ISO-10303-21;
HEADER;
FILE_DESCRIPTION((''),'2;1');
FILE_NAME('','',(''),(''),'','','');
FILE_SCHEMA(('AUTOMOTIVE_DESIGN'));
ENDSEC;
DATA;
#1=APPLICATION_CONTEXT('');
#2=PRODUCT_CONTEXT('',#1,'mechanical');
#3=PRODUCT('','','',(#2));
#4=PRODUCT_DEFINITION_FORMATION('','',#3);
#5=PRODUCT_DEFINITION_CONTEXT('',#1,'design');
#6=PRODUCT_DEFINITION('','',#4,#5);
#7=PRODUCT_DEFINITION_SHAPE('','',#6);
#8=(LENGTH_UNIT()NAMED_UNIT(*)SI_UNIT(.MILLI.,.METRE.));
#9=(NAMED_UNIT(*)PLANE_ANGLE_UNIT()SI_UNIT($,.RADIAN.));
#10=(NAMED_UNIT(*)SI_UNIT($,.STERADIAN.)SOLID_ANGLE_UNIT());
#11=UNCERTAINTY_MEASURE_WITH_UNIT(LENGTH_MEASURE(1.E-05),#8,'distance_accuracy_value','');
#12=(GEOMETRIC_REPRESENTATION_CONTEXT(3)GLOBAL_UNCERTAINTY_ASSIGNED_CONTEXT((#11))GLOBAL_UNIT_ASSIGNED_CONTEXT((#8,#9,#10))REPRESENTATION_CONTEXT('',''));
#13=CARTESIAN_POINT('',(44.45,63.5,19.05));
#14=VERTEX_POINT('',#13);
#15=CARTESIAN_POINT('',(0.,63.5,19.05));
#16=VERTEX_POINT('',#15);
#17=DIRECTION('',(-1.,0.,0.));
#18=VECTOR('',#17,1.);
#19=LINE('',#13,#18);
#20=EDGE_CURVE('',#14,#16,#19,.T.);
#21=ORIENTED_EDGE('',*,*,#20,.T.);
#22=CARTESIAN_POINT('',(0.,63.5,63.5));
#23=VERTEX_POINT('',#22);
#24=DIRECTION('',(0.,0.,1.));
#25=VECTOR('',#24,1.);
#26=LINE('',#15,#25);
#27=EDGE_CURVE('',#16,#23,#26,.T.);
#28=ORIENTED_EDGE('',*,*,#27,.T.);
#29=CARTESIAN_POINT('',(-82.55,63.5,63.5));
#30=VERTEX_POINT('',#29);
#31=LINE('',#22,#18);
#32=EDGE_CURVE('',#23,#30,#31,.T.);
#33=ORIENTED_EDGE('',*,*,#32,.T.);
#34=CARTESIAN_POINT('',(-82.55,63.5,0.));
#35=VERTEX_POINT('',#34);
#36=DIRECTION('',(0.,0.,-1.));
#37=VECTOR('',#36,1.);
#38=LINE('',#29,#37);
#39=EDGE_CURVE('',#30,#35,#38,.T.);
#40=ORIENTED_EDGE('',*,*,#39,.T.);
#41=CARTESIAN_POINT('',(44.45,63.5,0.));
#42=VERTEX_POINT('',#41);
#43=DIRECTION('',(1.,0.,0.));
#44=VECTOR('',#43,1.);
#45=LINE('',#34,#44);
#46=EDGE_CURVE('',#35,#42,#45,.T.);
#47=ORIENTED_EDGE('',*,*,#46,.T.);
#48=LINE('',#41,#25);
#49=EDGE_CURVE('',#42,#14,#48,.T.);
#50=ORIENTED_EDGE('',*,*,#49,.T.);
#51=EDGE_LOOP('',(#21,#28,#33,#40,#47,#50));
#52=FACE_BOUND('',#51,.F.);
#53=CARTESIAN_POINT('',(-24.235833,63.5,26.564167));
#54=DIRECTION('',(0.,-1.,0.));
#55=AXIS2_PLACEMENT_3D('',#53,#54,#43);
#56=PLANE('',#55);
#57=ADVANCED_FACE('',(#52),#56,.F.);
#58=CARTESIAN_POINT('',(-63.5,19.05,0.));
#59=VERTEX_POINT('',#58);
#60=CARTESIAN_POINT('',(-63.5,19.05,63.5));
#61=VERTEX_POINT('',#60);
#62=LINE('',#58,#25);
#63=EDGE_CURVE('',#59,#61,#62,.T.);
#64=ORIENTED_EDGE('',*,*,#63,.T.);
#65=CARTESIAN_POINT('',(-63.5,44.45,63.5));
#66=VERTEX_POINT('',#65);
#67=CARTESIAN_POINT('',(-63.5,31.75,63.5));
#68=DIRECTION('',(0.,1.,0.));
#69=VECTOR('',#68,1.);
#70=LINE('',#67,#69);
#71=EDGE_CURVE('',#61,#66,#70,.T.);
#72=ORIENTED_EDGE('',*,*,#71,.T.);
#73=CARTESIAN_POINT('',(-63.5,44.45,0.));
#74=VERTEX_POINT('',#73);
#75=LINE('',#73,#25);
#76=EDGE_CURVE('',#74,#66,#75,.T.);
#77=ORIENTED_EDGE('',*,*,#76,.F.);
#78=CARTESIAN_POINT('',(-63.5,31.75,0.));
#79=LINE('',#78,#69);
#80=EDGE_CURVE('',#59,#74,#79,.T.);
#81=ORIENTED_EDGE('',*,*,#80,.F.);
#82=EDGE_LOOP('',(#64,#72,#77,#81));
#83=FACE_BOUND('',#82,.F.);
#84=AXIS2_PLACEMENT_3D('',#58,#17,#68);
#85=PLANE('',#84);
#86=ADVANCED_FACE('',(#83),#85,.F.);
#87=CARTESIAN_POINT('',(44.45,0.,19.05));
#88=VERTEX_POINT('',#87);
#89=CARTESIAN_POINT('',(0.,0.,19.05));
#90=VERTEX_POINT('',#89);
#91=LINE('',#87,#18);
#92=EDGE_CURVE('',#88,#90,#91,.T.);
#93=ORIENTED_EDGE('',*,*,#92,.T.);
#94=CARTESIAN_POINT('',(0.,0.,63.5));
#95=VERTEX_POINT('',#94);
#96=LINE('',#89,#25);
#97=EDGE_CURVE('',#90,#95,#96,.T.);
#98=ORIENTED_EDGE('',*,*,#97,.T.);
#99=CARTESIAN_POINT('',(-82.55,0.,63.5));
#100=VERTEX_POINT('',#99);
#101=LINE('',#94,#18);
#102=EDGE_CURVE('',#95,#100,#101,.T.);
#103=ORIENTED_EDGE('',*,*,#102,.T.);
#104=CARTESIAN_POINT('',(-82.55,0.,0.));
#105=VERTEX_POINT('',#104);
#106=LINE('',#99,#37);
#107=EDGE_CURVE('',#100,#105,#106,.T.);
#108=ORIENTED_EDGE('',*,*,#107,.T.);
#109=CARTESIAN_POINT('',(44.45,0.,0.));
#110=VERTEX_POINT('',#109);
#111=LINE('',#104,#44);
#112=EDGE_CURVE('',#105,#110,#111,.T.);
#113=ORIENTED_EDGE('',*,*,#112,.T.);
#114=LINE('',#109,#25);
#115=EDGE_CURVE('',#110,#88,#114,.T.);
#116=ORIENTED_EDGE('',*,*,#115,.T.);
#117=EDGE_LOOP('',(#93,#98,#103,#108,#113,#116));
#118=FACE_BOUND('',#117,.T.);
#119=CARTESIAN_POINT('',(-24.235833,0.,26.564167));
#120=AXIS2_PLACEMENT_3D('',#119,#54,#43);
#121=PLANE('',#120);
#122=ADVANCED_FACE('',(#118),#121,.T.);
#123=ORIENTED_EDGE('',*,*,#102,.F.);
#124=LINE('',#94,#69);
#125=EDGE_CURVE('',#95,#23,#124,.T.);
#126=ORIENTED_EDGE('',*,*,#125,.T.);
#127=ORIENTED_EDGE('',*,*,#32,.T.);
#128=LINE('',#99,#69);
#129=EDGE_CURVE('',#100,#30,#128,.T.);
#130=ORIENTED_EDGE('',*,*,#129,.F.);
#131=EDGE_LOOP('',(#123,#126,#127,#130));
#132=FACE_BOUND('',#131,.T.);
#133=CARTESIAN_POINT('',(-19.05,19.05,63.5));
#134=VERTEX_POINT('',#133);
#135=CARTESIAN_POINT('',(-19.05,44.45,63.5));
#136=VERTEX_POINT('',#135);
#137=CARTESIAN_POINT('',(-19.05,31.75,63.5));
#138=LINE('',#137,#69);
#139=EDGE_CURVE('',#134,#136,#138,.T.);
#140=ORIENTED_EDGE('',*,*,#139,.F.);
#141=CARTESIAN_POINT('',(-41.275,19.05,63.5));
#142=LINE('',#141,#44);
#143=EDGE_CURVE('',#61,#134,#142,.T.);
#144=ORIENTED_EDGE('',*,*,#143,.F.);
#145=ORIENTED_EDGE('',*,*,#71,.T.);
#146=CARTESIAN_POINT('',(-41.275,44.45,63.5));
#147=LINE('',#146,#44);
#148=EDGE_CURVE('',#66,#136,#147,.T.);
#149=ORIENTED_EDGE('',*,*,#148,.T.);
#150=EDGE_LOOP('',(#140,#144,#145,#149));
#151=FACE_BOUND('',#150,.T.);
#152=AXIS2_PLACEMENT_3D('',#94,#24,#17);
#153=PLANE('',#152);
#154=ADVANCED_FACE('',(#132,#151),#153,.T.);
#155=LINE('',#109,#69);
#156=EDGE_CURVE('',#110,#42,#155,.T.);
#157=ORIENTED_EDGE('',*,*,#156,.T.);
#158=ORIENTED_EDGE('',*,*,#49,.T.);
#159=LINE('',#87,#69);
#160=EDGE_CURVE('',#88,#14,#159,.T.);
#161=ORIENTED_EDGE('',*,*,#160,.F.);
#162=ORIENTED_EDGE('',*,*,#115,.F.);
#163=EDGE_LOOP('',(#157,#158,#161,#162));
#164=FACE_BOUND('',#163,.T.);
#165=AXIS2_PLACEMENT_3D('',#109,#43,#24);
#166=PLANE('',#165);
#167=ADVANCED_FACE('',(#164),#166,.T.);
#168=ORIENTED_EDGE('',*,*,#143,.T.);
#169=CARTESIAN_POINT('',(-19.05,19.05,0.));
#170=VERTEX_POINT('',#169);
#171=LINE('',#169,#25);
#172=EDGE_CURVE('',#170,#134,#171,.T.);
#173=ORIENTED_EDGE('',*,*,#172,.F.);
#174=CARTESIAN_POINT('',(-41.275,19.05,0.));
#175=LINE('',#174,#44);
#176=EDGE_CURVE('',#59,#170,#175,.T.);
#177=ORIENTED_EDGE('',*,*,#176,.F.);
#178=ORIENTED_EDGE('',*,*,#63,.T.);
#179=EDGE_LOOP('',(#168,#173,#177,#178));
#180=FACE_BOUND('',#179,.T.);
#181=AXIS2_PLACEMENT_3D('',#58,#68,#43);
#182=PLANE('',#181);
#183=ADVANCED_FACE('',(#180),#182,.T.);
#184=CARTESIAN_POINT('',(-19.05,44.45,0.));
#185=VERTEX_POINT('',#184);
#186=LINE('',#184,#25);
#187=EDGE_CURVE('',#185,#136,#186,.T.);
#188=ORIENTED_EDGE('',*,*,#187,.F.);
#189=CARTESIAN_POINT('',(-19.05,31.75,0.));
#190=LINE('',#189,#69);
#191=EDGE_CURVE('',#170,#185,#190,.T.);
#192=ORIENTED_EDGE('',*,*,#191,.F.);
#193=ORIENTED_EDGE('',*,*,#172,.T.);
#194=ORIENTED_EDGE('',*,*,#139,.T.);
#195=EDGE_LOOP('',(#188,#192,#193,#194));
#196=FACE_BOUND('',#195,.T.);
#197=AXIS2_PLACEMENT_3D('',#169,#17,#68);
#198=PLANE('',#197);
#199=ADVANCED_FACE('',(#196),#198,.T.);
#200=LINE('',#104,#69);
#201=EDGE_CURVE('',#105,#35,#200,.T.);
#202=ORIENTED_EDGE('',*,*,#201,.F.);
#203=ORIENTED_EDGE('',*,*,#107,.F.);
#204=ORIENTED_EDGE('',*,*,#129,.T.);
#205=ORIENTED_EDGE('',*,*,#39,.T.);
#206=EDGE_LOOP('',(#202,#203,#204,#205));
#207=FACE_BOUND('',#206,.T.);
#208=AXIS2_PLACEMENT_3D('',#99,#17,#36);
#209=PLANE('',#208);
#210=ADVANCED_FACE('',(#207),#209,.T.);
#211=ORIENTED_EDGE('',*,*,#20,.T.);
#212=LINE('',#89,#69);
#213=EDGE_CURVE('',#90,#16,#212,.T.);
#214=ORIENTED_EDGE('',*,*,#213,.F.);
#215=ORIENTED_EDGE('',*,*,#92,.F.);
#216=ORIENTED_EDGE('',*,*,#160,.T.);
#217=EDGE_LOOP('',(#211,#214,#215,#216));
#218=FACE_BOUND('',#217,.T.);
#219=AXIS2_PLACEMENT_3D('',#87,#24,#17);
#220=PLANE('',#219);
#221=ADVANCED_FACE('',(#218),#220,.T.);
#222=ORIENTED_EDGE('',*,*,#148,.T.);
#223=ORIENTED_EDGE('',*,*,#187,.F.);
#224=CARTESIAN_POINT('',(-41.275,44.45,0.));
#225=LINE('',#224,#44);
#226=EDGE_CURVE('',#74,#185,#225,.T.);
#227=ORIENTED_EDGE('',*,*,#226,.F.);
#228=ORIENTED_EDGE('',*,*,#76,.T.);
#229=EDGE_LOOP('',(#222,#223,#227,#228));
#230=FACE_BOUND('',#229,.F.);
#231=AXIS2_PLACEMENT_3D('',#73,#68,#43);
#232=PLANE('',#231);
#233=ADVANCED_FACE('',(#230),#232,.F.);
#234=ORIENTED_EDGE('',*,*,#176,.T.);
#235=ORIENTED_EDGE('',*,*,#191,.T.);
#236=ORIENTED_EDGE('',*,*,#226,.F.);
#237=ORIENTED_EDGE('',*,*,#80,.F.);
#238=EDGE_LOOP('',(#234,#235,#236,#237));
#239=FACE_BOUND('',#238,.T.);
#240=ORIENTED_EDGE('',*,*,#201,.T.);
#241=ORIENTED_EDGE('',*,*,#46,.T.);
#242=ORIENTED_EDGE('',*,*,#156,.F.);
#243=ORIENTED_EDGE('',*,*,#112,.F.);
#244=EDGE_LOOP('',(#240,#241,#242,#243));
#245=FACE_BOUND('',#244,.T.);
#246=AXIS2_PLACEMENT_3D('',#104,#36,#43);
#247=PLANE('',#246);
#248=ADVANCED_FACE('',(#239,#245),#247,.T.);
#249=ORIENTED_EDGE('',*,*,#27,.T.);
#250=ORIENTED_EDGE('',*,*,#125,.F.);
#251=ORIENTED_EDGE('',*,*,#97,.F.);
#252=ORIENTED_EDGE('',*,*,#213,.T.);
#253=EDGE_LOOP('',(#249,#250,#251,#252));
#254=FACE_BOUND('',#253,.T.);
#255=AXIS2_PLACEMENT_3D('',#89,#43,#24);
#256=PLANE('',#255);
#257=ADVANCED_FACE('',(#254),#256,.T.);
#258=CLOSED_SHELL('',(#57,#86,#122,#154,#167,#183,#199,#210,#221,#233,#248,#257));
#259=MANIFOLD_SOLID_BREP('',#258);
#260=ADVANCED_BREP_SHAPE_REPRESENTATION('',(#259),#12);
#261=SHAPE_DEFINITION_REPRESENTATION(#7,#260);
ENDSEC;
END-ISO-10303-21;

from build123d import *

# Parameters (mm, degrees)
F2_DEPTH = 63.5
F1_W     = 44.45
F1_H     = 25.4
F3_DEPTH = 63.5


with BuildPart() as f2:
    # F0 (on Front) → F2 (new body)
    with BuildSketch(Plane.XZ):
        Polygon((-82.55, 0), (0, 0), (44.45, 0), (44.45, 19.05), (0, 19.05), (0, 63.5), (-82.55, 63.5), align=None)
    extrude(amount=-F2_DEPTH)

    # F1 (on Top) → F3 (cut)
    with BuildSketch(Plane.XY):
        with Locations((-41.275, 31.75)):
            Rectangle(F1_W, F1_H)
    extrude(amount=F3_DEPTH, mode=Mode.SUBTRACT)


solid = f2.part
